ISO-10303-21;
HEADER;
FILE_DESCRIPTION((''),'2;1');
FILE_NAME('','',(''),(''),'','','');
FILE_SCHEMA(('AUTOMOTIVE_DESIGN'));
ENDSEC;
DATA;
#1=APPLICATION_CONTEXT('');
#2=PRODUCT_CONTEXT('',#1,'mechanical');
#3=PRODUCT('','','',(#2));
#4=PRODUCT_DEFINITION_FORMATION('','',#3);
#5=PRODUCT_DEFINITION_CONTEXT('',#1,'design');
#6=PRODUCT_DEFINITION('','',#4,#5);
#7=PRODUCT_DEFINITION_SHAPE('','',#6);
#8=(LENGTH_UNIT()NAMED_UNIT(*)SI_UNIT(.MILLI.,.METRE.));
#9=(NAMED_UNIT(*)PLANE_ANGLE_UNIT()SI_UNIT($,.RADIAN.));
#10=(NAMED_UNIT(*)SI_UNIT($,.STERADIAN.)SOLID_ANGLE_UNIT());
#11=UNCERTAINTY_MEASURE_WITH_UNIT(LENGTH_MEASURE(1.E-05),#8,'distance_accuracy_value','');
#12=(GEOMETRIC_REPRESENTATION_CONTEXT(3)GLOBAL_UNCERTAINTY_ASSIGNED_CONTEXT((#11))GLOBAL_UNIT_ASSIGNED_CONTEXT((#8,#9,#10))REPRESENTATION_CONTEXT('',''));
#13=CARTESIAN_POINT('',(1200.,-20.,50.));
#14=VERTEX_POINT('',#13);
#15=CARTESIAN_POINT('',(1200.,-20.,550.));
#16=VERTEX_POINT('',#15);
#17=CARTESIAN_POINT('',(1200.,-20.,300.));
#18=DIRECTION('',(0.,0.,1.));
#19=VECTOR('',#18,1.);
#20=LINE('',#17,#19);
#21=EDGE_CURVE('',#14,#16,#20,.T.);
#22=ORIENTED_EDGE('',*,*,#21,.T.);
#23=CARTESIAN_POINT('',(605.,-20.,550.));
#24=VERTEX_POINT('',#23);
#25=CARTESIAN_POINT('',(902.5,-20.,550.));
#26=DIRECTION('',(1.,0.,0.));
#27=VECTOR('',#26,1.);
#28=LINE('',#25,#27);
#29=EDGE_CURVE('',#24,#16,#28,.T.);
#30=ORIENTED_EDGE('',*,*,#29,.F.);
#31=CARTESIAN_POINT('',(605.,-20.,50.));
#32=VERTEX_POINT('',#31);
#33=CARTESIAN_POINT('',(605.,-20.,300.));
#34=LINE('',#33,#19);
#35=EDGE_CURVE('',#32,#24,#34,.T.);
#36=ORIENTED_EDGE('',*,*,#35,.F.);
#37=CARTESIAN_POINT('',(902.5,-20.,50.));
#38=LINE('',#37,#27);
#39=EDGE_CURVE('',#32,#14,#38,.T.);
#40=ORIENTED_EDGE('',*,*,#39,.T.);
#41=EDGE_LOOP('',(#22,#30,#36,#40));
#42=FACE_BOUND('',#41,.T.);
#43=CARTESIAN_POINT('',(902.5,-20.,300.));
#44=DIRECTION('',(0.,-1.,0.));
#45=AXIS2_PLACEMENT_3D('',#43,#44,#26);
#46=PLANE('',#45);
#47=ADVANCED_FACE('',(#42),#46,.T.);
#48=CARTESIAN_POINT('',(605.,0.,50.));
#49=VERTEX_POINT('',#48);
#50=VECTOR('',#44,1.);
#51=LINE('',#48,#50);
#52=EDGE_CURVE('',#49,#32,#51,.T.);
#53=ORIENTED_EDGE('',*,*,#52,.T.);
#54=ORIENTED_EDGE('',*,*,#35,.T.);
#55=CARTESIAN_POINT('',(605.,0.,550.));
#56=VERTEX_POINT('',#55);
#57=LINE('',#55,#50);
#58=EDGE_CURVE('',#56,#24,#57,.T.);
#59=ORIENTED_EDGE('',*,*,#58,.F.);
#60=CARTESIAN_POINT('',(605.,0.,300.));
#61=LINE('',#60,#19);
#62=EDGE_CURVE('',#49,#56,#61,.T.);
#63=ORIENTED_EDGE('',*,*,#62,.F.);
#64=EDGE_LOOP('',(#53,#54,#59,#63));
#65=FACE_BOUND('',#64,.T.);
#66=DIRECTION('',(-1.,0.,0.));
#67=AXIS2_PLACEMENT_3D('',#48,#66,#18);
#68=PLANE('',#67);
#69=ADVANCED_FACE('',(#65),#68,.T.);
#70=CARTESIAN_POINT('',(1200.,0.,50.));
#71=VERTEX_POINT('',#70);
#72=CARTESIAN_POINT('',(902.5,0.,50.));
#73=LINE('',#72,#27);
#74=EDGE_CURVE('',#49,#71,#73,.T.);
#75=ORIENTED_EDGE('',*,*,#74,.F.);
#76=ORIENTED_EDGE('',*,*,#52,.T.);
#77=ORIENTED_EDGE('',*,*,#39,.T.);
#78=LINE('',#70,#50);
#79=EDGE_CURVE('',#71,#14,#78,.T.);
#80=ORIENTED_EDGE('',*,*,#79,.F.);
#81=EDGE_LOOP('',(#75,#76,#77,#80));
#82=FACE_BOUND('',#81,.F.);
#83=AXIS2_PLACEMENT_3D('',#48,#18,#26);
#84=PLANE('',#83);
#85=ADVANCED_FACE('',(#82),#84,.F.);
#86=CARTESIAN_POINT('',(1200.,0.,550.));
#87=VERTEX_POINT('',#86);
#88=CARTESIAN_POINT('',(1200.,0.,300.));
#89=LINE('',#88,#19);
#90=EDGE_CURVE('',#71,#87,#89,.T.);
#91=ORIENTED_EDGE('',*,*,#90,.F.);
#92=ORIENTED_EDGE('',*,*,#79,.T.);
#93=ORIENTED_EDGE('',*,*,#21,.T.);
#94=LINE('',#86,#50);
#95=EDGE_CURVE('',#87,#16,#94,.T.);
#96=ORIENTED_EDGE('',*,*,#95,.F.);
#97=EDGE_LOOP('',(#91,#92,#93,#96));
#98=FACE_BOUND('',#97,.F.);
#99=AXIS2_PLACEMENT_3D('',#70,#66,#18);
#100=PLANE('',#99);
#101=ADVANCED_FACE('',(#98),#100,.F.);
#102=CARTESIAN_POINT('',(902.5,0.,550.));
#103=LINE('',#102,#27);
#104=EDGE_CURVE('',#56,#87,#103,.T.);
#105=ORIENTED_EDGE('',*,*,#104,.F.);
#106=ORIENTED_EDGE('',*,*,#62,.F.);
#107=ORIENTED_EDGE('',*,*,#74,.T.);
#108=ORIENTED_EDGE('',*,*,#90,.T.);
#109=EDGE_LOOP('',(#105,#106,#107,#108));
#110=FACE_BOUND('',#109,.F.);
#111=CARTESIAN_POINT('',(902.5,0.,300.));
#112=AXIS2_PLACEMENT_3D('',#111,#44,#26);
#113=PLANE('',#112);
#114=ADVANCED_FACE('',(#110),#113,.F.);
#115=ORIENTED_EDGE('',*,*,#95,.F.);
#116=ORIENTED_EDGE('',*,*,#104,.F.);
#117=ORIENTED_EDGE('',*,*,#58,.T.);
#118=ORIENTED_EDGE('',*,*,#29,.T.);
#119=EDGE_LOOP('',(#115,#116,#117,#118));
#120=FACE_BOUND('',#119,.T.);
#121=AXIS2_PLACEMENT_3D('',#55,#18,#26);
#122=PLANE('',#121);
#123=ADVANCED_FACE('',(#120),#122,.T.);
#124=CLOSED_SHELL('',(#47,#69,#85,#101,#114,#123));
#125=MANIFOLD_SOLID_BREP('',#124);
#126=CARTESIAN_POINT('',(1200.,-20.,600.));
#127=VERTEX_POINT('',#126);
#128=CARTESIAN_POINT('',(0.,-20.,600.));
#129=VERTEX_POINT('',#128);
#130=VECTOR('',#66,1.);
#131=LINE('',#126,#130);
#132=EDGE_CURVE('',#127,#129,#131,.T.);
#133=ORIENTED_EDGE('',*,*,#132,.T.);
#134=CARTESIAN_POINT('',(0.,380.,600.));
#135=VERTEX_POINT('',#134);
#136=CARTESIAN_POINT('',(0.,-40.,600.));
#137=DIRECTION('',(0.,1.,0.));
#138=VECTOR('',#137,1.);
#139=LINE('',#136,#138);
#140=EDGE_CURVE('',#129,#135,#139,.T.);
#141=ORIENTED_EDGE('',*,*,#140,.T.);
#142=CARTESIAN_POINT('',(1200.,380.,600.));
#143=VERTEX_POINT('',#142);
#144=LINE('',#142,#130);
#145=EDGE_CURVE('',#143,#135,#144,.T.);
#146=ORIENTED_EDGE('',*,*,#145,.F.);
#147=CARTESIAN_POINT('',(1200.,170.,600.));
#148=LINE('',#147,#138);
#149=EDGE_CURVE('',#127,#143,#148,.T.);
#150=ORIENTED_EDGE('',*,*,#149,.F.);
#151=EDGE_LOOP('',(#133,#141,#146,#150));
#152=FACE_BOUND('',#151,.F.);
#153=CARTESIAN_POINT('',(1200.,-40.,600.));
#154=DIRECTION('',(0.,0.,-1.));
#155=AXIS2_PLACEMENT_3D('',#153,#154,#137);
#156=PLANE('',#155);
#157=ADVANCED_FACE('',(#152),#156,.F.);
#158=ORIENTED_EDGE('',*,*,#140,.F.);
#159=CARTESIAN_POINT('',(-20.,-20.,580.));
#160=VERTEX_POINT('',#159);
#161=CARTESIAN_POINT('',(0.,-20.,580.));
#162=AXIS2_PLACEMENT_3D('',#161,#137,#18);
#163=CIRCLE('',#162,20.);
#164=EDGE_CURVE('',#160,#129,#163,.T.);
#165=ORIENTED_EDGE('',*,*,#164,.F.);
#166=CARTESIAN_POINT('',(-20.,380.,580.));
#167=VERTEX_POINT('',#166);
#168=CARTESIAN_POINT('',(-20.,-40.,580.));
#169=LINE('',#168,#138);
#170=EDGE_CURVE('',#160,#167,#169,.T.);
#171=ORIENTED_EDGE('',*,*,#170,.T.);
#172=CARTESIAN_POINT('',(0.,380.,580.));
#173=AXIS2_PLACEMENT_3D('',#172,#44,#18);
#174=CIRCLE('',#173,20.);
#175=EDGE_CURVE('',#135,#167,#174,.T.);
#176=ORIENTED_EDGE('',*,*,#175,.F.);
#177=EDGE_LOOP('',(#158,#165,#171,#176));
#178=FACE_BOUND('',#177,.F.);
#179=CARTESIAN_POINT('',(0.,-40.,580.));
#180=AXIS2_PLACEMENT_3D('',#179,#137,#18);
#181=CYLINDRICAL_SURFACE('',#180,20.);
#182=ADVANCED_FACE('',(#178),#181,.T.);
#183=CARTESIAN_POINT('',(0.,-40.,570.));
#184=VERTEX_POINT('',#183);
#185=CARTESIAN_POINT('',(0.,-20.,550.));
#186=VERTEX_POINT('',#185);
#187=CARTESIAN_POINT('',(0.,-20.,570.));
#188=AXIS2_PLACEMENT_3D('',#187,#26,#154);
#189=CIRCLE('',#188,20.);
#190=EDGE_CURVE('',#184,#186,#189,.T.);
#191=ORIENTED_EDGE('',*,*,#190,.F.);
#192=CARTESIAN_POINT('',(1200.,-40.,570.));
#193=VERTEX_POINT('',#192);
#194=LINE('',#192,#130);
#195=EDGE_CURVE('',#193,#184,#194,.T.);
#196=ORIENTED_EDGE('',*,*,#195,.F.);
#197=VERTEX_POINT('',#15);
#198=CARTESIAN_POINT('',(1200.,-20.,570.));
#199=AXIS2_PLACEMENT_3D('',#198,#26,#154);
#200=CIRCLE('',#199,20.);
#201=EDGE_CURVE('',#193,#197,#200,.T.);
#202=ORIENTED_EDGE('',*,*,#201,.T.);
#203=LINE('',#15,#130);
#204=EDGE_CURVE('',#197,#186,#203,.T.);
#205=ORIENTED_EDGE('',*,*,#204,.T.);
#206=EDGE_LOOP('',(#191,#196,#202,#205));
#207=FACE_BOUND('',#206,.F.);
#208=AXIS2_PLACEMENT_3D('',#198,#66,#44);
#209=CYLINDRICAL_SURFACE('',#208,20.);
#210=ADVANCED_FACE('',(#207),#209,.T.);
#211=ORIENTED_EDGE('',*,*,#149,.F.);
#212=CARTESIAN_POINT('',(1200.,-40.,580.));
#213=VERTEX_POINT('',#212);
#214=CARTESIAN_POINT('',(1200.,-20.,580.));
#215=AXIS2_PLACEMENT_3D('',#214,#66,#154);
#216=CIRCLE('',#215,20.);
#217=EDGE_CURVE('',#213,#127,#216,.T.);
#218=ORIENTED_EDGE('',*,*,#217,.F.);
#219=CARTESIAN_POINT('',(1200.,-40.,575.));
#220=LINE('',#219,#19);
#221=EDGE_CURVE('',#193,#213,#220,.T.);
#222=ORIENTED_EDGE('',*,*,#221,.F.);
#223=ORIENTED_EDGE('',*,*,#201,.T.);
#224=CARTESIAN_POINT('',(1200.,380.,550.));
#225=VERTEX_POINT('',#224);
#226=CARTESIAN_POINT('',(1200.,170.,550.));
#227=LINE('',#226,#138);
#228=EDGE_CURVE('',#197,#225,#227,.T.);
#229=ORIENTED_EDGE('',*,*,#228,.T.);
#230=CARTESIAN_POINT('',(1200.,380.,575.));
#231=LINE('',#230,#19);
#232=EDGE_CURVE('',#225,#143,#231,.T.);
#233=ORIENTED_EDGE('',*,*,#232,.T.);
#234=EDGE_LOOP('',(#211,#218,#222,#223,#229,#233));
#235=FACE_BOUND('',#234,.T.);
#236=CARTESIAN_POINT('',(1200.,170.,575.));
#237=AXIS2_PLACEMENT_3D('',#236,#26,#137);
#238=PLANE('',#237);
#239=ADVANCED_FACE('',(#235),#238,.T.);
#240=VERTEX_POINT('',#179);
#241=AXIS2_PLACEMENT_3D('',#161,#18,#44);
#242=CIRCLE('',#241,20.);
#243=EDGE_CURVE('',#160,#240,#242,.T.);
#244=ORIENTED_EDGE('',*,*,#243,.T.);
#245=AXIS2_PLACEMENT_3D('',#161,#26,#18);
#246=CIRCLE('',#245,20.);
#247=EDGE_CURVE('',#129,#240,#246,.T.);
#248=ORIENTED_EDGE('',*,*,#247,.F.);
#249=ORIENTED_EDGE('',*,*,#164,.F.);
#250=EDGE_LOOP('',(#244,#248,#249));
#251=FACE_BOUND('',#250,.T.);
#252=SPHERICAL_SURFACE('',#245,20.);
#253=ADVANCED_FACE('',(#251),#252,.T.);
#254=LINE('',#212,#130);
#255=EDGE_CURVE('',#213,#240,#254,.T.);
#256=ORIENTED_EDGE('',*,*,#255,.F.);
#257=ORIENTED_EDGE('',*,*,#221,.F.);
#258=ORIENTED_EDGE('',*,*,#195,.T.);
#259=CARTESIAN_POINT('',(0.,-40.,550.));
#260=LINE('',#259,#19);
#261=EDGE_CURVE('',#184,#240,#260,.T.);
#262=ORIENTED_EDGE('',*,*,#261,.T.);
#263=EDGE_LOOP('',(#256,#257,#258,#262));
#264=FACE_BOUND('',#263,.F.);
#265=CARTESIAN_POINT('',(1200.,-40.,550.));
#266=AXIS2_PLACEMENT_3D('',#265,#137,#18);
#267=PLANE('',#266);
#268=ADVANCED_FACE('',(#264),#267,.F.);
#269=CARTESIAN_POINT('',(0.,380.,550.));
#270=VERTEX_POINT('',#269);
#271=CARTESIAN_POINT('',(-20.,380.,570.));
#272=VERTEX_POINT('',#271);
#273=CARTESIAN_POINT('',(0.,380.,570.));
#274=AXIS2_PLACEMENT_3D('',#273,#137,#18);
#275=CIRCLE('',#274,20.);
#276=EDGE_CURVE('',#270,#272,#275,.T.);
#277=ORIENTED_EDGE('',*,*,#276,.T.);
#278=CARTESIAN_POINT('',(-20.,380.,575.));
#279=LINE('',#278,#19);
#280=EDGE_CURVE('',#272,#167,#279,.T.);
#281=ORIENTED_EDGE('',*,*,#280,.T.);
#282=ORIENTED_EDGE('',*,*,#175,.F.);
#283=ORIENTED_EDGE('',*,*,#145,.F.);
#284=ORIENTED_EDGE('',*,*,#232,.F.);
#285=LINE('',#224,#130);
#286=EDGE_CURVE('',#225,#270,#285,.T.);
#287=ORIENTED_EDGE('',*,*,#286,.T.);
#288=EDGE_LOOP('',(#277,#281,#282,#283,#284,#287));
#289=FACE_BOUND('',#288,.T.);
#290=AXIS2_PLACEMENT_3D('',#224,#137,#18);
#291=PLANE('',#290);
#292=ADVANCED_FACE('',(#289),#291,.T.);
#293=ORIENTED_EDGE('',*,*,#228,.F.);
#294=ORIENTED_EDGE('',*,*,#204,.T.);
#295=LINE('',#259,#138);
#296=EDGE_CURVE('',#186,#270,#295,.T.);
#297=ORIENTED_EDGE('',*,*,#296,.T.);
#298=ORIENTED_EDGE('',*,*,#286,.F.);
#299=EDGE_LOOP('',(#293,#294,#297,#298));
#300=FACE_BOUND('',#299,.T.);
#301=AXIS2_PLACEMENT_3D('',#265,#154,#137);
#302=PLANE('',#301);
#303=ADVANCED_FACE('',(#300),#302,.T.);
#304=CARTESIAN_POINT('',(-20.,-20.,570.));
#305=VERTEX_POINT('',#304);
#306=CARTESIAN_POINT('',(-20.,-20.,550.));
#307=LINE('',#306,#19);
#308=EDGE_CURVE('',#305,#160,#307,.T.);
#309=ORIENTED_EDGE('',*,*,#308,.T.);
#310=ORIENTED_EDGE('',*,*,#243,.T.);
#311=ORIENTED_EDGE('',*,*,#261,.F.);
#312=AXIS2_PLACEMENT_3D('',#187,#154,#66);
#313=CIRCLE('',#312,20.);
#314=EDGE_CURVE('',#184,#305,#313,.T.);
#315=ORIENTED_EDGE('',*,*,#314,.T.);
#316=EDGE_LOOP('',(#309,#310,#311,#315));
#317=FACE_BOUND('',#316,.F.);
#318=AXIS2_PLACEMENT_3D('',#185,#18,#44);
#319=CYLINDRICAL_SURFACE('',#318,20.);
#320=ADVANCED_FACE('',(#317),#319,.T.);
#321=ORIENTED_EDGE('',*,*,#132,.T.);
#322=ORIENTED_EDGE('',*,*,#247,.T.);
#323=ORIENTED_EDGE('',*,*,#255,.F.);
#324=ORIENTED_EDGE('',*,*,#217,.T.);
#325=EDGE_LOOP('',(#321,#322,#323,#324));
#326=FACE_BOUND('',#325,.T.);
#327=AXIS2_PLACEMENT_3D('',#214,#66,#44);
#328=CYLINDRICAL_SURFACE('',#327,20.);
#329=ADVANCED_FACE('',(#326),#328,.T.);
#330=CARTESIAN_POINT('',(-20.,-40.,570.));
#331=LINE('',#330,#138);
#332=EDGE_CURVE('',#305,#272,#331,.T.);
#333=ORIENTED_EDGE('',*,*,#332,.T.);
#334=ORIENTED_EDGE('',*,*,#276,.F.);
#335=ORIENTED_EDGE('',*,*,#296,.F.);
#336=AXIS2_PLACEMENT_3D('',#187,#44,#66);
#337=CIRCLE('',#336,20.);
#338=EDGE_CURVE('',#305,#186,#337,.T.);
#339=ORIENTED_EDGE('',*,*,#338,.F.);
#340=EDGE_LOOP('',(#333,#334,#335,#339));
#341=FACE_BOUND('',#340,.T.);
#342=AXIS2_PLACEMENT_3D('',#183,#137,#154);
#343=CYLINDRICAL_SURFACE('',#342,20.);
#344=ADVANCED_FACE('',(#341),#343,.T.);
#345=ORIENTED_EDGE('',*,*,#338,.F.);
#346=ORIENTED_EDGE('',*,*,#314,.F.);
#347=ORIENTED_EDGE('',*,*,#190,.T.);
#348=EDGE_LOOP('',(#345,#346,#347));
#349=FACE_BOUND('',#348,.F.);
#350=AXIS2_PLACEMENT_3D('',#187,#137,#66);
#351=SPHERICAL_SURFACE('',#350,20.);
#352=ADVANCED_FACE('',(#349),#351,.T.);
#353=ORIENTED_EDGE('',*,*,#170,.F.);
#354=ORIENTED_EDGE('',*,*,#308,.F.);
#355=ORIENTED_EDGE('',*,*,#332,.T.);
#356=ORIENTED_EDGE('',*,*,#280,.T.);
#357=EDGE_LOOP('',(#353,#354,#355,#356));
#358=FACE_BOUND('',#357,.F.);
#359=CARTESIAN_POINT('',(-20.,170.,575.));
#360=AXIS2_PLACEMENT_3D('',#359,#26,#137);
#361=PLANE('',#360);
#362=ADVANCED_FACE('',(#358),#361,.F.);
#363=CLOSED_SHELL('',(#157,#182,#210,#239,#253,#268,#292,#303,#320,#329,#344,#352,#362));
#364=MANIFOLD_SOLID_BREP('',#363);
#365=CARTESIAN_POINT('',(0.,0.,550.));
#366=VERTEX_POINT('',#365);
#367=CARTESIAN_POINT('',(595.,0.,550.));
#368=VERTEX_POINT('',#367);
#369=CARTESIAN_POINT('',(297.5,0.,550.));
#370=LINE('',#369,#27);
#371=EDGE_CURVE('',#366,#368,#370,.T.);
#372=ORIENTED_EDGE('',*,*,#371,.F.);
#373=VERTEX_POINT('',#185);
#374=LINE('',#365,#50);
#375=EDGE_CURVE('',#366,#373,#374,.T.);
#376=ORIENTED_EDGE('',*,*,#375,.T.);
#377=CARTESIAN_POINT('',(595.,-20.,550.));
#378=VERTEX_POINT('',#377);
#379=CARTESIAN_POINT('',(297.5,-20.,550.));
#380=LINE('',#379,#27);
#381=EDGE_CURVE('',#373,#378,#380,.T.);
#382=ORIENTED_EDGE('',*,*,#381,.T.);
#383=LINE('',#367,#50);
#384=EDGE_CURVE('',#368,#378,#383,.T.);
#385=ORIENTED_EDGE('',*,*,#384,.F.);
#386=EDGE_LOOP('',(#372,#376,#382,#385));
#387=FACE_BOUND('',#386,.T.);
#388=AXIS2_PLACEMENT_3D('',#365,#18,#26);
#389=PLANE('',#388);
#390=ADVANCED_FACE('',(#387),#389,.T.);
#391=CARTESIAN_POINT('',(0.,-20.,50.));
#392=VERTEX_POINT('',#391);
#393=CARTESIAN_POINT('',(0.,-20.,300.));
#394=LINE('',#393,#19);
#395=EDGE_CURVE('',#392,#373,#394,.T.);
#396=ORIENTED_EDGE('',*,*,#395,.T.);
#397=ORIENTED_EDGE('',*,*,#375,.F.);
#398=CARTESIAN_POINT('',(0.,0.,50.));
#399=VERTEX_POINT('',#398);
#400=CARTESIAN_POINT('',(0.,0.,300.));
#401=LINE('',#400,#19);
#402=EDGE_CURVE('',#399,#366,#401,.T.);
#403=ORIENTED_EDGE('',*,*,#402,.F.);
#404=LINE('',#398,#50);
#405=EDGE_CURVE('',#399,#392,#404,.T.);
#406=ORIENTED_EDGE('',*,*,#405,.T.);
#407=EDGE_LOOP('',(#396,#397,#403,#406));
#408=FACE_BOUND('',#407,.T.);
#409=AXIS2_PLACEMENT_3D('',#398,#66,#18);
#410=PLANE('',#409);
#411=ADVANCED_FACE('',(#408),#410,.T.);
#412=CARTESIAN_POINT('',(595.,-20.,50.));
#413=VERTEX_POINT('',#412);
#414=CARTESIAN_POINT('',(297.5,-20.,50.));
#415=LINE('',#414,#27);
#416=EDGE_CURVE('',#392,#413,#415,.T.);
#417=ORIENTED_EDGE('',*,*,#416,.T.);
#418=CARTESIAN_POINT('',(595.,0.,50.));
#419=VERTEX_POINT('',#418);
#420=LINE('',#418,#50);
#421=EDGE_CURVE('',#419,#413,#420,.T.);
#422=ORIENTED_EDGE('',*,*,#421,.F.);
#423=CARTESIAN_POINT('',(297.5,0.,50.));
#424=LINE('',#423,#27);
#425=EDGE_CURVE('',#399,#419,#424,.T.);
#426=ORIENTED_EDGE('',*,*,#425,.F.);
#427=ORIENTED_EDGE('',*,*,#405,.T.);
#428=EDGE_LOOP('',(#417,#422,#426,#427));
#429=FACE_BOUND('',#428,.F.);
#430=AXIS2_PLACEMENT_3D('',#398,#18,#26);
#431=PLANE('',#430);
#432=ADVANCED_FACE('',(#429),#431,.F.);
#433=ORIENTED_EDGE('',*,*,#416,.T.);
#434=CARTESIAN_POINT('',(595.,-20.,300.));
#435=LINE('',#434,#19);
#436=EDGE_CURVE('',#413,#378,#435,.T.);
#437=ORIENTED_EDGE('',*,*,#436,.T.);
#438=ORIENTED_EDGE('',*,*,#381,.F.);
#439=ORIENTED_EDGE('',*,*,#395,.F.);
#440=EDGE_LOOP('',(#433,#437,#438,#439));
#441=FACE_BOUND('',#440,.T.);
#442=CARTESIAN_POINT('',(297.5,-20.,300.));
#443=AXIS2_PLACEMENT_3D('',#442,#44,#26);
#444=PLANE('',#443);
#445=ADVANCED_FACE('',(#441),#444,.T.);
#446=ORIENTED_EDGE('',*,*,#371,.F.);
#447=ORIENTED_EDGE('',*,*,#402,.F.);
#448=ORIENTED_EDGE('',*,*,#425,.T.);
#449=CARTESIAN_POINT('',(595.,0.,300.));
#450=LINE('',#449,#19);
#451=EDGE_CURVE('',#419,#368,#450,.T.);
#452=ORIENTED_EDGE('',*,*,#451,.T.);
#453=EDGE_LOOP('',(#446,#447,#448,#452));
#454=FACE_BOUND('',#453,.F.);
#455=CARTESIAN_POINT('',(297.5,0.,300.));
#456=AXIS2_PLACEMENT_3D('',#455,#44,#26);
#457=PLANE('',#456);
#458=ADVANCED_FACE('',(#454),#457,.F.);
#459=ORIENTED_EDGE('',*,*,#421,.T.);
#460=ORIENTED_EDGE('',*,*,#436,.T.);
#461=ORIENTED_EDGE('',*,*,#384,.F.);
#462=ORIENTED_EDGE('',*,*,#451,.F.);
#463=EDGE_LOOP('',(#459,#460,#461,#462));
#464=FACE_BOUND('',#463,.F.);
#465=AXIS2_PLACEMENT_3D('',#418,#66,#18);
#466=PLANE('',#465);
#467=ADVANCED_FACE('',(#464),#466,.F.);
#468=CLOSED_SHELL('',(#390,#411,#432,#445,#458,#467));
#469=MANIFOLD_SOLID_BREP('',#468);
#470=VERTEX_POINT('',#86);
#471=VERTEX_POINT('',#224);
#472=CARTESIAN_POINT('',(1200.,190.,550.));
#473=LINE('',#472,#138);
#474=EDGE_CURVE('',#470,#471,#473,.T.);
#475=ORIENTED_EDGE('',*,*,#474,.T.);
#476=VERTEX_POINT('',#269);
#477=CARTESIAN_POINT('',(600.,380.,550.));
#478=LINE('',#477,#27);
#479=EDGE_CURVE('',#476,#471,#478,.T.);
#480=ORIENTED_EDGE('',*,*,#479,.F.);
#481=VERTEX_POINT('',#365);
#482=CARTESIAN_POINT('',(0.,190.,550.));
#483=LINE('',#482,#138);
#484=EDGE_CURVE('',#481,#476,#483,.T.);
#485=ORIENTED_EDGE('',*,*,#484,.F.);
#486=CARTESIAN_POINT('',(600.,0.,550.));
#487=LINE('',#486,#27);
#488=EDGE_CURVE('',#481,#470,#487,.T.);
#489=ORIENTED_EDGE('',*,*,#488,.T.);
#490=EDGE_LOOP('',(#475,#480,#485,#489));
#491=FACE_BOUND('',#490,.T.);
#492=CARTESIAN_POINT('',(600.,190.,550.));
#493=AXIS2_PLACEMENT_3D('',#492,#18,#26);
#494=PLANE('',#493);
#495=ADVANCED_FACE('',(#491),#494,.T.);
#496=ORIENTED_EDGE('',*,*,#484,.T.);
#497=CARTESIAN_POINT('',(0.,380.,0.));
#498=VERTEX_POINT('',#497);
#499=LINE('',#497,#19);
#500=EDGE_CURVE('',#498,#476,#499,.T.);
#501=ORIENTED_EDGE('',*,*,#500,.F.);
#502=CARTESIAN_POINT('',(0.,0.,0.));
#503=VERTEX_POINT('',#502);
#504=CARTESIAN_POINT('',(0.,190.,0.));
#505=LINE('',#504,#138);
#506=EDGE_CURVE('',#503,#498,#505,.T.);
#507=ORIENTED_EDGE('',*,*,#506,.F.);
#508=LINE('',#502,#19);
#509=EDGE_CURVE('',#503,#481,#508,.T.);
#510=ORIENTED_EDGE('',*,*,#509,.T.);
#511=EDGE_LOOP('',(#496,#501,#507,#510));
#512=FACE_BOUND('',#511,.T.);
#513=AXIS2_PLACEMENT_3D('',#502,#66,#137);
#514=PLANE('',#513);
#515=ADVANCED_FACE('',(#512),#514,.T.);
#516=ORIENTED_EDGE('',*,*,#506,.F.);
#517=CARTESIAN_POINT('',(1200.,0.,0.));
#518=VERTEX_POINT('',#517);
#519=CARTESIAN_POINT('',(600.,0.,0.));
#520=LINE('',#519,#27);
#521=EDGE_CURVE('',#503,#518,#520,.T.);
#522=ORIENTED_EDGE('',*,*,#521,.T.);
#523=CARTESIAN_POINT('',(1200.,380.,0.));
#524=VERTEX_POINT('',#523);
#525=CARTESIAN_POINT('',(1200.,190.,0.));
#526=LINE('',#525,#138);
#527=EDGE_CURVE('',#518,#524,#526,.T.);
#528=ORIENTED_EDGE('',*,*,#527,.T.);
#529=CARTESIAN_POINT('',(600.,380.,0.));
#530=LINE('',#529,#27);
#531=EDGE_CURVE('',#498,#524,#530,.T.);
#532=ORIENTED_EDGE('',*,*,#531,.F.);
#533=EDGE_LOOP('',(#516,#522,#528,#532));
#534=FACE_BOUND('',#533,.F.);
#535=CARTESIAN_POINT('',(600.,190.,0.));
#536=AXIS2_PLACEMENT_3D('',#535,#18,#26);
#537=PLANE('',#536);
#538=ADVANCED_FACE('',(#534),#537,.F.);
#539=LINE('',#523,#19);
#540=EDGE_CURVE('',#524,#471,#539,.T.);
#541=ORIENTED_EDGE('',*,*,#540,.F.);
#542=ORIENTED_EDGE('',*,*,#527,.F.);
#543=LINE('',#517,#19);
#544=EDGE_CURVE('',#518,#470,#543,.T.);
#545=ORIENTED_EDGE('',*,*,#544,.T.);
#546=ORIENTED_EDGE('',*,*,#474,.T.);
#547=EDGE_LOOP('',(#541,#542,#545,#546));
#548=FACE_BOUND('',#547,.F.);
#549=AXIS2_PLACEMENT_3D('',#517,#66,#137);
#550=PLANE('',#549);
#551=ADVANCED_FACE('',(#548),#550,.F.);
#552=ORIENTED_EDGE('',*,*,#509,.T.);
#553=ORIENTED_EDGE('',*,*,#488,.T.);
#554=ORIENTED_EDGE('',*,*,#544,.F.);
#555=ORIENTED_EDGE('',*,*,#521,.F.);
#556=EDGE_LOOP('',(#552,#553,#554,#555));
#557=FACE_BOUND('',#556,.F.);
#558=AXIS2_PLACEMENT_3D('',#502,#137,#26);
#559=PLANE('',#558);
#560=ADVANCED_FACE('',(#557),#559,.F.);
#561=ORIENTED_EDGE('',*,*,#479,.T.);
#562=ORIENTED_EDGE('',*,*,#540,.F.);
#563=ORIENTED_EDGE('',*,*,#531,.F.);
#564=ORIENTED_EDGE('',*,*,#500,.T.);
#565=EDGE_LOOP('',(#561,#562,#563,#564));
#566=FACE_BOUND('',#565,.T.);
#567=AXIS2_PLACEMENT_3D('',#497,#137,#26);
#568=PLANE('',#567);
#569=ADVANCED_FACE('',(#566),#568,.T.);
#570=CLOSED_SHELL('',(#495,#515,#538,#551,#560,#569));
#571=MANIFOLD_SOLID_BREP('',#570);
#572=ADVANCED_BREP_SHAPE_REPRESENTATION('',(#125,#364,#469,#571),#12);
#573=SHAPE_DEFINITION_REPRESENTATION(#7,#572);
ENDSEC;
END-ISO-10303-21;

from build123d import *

# Parameters (mm, degrees)
F1_W     = 1200
F1_H     = 380
F2_DEPTH = 550
F3_W     = 595
F3_H     = 500
F4_DEPTH = 20
F5_W     = 420
F5_H     = 50
F6_DEPTH = 1220
F7_R     = 20


with BuildPart() as f2:
    # F1 (on Top) → F2 (new body)
    with BuildSketch(Plane.XY):
        with Locations((600, 190)):
            Rectangle(F1_W, F1_H)
    extrude(amount=F2_DEPTH)


with BuildPart() as f4:
    # F3 (on face) → F4 (new body)
    with BuildSketch(Plane.XZ):
        with Locations((297.5, 300)):
            Rectangle(F3_W, F3_H)
    extrude(amount=F4_DEPTH)


with BuildPart() as f4b:
    # F3 (on face) → F4, piece 2 (new body)
    with BuildSketch(Plane.XZ):
        with Locations((902.5, 300)):
            Rectangle(F3_W, F3_H)
    extrude(amount=F4_DEPTH)


with BuildPart() as f6:
    # F5 (on face) → F6 (new body, through all)
    with BuildSketch(Plane.YZ.offset(1200)):
        with Locations((170, 575)):
            Rectangle(F5_W, F5_H)
    extrude(amount=-F6_DEPTH)

    # F7
    f7_edges = [f6.edges().sort_by_distance(p)[0] for p in [
        (590, -40, 600),
        (-20, 170, 600),
        (-20, 170, 550),
        (-20, -40, 575),
        (590, -40, 550),
    ]]
    fillet(f7_edges, radius=F7_R)


solid = Compound([f2.part, f4.part, f4b.part, f6.part])
